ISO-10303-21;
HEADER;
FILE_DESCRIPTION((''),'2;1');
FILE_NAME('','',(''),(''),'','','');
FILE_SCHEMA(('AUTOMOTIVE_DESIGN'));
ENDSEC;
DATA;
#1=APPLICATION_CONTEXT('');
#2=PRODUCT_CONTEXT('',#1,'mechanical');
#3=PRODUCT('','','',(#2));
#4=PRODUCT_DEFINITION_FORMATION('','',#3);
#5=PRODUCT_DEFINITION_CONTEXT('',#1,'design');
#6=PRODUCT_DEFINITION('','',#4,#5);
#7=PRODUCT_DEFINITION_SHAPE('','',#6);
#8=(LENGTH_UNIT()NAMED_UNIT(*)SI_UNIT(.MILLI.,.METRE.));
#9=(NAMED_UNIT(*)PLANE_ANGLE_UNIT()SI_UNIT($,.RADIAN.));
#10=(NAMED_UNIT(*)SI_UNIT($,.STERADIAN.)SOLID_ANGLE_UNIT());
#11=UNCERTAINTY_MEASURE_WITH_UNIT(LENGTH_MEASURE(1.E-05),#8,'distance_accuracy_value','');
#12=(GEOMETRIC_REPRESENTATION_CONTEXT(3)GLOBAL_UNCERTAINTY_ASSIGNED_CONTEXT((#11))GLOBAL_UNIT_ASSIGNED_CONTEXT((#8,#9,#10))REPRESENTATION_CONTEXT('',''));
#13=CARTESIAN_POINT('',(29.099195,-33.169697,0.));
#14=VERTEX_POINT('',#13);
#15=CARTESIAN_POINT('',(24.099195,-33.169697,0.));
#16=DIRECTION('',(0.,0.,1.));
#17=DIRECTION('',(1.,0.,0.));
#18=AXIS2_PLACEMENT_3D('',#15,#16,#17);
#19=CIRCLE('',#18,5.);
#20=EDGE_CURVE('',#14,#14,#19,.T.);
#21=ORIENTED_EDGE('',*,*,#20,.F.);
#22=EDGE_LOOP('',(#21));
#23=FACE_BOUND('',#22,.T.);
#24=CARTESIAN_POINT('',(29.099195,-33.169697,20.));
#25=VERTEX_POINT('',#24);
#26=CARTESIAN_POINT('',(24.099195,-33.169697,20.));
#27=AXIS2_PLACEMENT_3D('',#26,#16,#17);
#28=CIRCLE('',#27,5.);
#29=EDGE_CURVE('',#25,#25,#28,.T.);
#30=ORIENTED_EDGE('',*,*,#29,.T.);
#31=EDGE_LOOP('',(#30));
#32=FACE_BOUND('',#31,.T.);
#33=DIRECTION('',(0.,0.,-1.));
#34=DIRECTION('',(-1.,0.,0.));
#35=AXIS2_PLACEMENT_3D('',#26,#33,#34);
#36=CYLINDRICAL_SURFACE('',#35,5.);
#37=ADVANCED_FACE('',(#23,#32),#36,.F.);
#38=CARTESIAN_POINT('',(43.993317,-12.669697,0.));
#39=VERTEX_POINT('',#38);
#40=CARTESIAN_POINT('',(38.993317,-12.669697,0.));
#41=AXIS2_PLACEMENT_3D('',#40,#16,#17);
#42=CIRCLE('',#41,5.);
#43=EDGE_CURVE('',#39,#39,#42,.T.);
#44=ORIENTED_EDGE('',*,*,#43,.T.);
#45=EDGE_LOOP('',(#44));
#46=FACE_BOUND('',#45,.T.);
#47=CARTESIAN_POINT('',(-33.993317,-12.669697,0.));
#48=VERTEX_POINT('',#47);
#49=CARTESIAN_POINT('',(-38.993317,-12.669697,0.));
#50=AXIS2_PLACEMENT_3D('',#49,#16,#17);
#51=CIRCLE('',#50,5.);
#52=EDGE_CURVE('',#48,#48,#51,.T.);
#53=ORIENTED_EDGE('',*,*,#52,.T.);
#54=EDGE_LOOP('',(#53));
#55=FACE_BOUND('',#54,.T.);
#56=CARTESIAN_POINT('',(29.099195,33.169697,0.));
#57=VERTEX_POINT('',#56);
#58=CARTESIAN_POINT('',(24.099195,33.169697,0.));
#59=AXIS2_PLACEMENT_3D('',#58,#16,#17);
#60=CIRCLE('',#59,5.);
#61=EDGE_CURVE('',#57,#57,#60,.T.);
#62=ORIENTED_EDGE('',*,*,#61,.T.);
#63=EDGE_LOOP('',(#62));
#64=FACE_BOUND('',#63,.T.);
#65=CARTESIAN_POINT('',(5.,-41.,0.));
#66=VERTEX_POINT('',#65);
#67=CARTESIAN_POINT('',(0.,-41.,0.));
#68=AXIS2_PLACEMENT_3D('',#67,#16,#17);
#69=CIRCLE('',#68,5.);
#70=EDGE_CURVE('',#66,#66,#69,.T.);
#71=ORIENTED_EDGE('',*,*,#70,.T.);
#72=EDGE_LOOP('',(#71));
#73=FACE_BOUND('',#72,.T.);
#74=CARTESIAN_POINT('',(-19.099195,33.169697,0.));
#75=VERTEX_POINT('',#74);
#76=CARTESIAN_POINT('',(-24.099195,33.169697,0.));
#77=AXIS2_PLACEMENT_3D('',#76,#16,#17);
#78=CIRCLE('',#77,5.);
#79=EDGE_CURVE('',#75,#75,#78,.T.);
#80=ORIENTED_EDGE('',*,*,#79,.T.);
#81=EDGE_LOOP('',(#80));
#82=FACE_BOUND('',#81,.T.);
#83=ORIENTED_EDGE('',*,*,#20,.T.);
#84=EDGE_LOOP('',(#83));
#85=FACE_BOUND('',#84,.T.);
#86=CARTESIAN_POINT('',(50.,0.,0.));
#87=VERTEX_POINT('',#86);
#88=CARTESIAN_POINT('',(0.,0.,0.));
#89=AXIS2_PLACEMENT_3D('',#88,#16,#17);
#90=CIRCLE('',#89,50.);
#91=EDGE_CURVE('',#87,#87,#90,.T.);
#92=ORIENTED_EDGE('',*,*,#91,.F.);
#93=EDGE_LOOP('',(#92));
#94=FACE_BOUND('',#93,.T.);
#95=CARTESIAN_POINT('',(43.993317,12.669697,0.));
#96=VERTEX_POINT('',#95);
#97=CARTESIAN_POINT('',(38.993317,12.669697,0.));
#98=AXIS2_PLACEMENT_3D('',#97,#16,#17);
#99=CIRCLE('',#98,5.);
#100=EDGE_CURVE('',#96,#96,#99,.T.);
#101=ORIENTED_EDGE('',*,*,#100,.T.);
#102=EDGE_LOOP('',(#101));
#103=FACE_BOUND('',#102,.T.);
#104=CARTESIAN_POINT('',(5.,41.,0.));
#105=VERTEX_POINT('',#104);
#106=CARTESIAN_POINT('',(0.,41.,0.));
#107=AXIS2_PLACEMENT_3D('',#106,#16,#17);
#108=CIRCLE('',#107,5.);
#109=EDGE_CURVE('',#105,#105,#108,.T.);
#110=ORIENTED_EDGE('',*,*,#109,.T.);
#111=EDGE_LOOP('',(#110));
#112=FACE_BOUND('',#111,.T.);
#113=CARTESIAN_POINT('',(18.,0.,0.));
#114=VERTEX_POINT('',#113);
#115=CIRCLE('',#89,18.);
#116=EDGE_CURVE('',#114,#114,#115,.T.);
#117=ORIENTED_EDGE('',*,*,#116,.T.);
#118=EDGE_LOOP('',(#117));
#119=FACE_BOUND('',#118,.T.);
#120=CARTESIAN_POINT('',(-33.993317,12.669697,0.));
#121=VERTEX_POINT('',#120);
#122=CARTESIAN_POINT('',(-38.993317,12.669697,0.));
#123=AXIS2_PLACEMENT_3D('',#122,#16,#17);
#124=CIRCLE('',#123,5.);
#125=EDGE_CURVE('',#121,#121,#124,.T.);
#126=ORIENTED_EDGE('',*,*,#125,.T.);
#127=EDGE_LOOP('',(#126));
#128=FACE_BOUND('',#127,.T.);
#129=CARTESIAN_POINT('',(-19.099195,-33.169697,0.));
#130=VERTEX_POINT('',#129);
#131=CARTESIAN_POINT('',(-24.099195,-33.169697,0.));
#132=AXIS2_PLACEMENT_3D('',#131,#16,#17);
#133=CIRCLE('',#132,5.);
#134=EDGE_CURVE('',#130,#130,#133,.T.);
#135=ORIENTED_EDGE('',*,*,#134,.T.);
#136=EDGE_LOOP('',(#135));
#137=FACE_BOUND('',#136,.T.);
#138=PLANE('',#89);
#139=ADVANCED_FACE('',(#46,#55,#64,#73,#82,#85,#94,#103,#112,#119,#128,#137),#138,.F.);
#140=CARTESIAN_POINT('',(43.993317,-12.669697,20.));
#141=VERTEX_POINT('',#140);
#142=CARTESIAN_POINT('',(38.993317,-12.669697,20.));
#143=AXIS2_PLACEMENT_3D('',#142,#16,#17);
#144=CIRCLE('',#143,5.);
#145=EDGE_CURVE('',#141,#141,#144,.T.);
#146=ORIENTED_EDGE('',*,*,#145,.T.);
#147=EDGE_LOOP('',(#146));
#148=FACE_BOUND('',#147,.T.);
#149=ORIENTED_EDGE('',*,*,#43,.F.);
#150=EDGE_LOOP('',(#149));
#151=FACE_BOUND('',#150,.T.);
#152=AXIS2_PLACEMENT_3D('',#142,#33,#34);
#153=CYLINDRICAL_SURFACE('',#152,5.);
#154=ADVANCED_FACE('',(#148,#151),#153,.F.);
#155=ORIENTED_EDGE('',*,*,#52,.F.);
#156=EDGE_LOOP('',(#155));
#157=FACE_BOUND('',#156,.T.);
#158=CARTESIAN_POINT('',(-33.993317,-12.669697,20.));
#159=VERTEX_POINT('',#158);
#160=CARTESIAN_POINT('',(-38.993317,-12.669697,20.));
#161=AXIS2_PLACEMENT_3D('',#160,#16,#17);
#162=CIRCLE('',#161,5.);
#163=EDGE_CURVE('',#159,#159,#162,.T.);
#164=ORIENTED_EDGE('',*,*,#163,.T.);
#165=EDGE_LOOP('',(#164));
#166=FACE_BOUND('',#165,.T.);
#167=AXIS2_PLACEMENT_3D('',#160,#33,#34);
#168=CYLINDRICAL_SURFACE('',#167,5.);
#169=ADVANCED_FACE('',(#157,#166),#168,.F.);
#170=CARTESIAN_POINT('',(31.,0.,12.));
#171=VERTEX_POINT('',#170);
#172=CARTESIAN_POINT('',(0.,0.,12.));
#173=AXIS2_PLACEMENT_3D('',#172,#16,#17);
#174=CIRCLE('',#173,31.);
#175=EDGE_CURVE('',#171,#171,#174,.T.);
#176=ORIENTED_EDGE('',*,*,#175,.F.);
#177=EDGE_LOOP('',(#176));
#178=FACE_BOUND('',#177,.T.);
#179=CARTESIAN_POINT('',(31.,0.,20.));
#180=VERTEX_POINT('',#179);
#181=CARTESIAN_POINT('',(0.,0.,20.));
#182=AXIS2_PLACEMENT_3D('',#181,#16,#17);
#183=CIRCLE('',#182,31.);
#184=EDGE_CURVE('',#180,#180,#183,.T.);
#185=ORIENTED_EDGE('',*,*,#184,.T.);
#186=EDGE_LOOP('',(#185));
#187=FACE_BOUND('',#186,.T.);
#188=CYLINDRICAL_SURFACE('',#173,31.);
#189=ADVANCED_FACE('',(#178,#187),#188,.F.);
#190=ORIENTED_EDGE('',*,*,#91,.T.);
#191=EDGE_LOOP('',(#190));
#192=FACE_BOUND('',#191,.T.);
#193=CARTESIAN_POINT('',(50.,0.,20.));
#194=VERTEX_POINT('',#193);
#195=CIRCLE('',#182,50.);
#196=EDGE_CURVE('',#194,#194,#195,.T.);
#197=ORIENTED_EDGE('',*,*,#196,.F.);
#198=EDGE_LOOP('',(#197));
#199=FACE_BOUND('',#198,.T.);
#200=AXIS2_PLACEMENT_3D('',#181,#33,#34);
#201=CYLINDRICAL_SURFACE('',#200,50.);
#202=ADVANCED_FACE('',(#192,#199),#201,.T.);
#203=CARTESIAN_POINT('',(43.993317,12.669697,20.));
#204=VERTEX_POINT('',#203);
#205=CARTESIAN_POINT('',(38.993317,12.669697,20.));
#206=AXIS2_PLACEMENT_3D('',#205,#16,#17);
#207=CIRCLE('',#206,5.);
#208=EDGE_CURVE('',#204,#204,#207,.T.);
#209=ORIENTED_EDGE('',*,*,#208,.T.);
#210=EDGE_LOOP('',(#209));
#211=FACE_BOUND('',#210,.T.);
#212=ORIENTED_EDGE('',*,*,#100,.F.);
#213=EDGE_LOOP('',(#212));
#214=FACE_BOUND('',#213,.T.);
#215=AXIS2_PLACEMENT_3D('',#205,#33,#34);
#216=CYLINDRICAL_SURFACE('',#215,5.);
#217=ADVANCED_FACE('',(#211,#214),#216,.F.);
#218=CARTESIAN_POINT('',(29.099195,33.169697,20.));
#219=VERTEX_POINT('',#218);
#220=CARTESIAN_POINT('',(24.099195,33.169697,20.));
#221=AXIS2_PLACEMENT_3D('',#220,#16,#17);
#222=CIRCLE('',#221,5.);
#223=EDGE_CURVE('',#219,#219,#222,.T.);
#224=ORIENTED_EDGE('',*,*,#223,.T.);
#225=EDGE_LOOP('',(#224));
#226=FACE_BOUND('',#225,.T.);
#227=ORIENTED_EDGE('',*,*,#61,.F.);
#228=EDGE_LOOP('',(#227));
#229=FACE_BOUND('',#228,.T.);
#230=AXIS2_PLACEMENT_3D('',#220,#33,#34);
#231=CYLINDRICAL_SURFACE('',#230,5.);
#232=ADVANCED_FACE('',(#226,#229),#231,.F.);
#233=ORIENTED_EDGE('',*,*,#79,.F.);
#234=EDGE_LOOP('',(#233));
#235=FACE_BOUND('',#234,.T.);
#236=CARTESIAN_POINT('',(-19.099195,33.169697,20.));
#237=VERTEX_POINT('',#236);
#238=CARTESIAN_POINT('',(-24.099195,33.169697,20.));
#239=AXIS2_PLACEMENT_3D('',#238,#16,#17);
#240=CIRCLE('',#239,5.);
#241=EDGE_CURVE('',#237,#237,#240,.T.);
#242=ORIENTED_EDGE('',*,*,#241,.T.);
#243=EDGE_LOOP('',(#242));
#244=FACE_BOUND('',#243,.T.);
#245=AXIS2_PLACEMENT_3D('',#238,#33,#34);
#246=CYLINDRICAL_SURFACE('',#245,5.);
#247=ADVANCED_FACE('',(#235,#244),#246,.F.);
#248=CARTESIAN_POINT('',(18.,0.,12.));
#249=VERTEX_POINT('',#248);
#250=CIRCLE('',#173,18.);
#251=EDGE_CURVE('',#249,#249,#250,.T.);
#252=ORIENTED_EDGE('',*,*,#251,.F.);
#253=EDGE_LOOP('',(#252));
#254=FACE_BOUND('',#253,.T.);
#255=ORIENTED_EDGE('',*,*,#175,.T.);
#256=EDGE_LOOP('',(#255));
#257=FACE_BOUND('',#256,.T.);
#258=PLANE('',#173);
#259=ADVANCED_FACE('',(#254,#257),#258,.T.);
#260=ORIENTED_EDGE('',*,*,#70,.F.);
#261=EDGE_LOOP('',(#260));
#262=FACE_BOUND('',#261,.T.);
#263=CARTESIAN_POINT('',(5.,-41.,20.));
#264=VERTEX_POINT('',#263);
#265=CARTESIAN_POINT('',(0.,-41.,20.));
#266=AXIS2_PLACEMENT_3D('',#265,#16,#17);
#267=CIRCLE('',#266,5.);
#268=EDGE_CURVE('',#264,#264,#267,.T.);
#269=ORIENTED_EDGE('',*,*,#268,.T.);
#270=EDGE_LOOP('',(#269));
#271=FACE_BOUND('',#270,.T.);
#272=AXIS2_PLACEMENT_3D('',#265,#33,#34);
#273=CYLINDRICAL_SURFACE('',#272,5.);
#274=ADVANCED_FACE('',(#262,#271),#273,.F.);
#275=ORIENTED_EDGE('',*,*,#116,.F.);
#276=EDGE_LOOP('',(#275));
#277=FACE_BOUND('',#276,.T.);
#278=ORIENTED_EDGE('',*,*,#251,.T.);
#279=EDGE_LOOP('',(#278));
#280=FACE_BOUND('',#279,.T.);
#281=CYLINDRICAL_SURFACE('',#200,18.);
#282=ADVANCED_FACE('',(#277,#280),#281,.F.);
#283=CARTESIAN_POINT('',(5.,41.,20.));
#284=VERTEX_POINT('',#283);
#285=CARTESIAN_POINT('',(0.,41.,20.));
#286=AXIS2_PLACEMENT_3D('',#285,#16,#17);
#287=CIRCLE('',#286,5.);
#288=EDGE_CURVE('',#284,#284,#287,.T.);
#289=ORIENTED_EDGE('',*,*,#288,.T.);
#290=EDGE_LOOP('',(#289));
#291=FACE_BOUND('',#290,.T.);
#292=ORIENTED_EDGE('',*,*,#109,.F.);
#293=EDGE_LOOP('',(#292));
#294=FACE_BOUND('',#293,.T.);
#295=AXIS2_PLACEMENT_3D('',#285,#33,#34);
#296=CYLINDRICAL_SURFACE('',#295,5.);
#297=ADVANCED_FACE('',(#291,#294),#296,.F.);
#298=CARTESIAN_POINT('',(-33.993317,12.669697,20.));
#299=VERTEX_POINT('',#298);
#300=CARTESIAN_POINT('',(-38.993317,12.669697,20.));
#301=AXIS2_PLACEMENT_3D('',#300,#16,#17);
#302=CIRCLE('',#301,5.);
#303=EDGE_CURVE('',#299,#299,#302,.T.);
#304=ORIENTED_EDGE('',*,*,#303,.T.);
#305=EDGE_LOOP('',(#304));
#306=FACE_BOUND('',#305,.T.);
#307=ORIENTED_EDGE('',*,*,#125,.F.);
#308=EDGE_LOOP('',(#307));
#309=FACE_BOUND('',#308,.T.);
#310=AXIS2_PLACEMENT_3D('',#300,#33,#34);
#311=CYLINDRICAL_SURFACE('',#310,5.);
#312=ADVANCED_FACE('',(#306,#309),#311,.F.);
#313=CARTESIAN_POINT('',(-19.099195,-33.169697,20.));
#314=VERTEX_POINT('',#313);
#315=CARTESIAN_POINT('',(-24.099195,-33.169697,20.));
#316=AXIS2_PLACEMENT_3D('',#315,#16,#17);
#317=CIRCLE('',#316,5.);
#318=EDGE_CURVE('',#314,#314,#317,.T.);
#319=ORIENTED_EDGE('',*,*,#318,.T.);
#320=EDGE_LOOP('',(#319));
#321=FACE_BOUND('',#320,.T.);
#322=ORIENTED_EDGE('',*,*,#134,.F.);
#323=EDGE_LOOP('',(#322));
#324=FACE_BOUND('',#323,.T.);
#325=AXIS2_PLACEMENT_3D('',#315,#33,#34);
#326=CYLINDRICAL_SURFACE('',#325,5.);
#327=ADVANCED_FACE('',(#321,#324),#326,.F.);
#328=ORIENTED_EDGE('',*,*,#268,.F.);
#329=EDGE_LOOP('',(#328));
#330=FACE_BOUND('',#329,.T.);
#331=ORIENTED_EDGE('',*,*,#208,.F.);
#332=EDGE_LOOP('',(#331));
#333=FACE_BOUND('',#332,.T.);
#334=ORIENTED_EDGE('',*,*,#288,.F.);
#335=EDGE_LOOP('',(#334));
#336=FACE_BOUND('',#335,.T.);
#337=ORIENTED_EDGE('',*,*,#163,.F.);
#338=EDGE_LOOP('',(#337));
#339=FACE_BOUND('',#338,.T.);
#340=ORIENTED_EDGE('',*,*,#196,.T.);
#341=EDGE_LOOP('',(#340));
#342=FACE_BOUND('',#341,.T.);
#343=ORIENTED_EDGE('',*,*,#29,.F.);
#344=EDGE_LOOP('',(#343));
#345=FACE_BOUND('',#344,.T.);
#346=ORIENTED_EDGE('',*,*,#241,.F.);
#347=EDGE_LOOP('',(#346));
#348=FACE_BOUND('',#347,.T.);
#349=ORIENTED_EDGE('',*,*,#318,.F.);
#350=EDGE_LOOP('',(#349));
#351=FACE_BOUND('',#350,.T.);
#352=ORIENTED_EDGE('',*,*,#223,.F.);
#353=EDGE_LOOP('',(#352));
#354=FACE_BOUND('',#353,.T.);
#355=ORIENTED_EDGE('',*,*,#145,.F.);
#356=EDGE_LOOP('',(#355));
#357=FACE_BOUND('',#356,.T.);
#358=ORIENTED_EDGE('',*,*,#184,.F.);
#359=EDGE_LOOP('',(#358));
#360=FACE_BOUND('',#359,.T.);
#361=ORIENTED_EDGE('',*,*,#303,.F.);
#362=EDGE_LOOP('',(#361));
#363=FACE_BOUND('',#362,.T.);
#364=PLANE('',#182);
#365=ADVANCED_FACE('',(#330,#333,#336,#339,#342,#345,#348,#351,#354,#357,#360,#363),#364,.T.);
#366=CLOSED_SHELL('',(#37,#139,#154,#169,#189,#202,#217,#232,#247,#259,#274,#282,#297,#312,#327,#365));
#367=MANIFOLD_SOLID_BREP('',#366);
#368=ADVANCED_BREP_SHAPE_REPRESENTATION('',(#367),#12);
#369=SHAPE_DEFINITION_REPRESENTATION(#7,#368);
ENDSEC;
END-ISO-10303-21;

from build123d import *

# Parameters (mm, degrees)
SKETCH1_R           = 50
SKETCH1_R_2         = 18
SKETCH1_R_3         = 5
BOSS_EXTRUDE1_DEPTH = 20
CUT_EXTRUDE1_START  = -8
SKETCH2_R           = 31
SKETCH2_R_2         = 18
CUT_EXTRUDE1_DEPTH  = 8


with BuildPart() as part:
    # Sketch1 → Boss-Extrude1 (new body)
    with BuildSketch(Plane.XY):
        Circle(SKETCH1_R)
        Circle(SKETCH1_R_2, mode=Mode.SUBTRACT)
        with Locations((0, -41)):
            Circle(SKETCH1_R_3, mode=Mode.SUBTRACT)
        with Locations((-24.099195344, -33.169696769)):
            Circle(SKETCH1_R_3, mode=Mode.SUBTRACT)
        with Locations((-38.993317168, -12.669696769)):
            Circle(SKETCH1_R_3, mode=Mode.SUBTRACT)
        with Locations((-38.993317168, 12.669696769)):
            Circle(SKETCH1_R_3, mode=Mode.SUBTRACT)
        with Locations((-24.099195344, 33.169696769)):
            Circle(SKETCH1_R_3, mode=Mode.SUBTRACT)
        with Locations((0, 41)):
            Circle(SKETCH1_R_3, mode=Mode.SUBTRACT)
        with Locations((24.099195344, 33.169696769)):
            Circle(SKETCH1_R_3, mode=Mode.SUBTRACT)
        with Locations((38.993317168, 12.669696769)):
            Circle(SKETCH1_R_3, mode=Mode.SUBTRACT)
        with Locations((38.993317168, -12.669696769)):
            Circle(SKETCH1_R_3, mode=Mode.SUBTRACT)
        with Locations((24.099195344, -33.169696769)):
            Circle(SKETCH1_R_3, mode=Mode.SUBTRACT)
    extrude(amount=BOSS_EXTRUDE1_DEPTH)

    # Sketch2 → Cut-Extrude1 (cut)
    with BuildSketch(Plane.XY.offset(20).offset(CUT_EXTRUDE1_START)):
        Circle(SKETCH2_R)
        Circle(SKETCH2_R_2, mode=Mode.SUBTRACT)
    extrude(amount=CUT_EXTRUDE1_DEPTH, mode=Mode.SUBTRACT)


solid = part.part
